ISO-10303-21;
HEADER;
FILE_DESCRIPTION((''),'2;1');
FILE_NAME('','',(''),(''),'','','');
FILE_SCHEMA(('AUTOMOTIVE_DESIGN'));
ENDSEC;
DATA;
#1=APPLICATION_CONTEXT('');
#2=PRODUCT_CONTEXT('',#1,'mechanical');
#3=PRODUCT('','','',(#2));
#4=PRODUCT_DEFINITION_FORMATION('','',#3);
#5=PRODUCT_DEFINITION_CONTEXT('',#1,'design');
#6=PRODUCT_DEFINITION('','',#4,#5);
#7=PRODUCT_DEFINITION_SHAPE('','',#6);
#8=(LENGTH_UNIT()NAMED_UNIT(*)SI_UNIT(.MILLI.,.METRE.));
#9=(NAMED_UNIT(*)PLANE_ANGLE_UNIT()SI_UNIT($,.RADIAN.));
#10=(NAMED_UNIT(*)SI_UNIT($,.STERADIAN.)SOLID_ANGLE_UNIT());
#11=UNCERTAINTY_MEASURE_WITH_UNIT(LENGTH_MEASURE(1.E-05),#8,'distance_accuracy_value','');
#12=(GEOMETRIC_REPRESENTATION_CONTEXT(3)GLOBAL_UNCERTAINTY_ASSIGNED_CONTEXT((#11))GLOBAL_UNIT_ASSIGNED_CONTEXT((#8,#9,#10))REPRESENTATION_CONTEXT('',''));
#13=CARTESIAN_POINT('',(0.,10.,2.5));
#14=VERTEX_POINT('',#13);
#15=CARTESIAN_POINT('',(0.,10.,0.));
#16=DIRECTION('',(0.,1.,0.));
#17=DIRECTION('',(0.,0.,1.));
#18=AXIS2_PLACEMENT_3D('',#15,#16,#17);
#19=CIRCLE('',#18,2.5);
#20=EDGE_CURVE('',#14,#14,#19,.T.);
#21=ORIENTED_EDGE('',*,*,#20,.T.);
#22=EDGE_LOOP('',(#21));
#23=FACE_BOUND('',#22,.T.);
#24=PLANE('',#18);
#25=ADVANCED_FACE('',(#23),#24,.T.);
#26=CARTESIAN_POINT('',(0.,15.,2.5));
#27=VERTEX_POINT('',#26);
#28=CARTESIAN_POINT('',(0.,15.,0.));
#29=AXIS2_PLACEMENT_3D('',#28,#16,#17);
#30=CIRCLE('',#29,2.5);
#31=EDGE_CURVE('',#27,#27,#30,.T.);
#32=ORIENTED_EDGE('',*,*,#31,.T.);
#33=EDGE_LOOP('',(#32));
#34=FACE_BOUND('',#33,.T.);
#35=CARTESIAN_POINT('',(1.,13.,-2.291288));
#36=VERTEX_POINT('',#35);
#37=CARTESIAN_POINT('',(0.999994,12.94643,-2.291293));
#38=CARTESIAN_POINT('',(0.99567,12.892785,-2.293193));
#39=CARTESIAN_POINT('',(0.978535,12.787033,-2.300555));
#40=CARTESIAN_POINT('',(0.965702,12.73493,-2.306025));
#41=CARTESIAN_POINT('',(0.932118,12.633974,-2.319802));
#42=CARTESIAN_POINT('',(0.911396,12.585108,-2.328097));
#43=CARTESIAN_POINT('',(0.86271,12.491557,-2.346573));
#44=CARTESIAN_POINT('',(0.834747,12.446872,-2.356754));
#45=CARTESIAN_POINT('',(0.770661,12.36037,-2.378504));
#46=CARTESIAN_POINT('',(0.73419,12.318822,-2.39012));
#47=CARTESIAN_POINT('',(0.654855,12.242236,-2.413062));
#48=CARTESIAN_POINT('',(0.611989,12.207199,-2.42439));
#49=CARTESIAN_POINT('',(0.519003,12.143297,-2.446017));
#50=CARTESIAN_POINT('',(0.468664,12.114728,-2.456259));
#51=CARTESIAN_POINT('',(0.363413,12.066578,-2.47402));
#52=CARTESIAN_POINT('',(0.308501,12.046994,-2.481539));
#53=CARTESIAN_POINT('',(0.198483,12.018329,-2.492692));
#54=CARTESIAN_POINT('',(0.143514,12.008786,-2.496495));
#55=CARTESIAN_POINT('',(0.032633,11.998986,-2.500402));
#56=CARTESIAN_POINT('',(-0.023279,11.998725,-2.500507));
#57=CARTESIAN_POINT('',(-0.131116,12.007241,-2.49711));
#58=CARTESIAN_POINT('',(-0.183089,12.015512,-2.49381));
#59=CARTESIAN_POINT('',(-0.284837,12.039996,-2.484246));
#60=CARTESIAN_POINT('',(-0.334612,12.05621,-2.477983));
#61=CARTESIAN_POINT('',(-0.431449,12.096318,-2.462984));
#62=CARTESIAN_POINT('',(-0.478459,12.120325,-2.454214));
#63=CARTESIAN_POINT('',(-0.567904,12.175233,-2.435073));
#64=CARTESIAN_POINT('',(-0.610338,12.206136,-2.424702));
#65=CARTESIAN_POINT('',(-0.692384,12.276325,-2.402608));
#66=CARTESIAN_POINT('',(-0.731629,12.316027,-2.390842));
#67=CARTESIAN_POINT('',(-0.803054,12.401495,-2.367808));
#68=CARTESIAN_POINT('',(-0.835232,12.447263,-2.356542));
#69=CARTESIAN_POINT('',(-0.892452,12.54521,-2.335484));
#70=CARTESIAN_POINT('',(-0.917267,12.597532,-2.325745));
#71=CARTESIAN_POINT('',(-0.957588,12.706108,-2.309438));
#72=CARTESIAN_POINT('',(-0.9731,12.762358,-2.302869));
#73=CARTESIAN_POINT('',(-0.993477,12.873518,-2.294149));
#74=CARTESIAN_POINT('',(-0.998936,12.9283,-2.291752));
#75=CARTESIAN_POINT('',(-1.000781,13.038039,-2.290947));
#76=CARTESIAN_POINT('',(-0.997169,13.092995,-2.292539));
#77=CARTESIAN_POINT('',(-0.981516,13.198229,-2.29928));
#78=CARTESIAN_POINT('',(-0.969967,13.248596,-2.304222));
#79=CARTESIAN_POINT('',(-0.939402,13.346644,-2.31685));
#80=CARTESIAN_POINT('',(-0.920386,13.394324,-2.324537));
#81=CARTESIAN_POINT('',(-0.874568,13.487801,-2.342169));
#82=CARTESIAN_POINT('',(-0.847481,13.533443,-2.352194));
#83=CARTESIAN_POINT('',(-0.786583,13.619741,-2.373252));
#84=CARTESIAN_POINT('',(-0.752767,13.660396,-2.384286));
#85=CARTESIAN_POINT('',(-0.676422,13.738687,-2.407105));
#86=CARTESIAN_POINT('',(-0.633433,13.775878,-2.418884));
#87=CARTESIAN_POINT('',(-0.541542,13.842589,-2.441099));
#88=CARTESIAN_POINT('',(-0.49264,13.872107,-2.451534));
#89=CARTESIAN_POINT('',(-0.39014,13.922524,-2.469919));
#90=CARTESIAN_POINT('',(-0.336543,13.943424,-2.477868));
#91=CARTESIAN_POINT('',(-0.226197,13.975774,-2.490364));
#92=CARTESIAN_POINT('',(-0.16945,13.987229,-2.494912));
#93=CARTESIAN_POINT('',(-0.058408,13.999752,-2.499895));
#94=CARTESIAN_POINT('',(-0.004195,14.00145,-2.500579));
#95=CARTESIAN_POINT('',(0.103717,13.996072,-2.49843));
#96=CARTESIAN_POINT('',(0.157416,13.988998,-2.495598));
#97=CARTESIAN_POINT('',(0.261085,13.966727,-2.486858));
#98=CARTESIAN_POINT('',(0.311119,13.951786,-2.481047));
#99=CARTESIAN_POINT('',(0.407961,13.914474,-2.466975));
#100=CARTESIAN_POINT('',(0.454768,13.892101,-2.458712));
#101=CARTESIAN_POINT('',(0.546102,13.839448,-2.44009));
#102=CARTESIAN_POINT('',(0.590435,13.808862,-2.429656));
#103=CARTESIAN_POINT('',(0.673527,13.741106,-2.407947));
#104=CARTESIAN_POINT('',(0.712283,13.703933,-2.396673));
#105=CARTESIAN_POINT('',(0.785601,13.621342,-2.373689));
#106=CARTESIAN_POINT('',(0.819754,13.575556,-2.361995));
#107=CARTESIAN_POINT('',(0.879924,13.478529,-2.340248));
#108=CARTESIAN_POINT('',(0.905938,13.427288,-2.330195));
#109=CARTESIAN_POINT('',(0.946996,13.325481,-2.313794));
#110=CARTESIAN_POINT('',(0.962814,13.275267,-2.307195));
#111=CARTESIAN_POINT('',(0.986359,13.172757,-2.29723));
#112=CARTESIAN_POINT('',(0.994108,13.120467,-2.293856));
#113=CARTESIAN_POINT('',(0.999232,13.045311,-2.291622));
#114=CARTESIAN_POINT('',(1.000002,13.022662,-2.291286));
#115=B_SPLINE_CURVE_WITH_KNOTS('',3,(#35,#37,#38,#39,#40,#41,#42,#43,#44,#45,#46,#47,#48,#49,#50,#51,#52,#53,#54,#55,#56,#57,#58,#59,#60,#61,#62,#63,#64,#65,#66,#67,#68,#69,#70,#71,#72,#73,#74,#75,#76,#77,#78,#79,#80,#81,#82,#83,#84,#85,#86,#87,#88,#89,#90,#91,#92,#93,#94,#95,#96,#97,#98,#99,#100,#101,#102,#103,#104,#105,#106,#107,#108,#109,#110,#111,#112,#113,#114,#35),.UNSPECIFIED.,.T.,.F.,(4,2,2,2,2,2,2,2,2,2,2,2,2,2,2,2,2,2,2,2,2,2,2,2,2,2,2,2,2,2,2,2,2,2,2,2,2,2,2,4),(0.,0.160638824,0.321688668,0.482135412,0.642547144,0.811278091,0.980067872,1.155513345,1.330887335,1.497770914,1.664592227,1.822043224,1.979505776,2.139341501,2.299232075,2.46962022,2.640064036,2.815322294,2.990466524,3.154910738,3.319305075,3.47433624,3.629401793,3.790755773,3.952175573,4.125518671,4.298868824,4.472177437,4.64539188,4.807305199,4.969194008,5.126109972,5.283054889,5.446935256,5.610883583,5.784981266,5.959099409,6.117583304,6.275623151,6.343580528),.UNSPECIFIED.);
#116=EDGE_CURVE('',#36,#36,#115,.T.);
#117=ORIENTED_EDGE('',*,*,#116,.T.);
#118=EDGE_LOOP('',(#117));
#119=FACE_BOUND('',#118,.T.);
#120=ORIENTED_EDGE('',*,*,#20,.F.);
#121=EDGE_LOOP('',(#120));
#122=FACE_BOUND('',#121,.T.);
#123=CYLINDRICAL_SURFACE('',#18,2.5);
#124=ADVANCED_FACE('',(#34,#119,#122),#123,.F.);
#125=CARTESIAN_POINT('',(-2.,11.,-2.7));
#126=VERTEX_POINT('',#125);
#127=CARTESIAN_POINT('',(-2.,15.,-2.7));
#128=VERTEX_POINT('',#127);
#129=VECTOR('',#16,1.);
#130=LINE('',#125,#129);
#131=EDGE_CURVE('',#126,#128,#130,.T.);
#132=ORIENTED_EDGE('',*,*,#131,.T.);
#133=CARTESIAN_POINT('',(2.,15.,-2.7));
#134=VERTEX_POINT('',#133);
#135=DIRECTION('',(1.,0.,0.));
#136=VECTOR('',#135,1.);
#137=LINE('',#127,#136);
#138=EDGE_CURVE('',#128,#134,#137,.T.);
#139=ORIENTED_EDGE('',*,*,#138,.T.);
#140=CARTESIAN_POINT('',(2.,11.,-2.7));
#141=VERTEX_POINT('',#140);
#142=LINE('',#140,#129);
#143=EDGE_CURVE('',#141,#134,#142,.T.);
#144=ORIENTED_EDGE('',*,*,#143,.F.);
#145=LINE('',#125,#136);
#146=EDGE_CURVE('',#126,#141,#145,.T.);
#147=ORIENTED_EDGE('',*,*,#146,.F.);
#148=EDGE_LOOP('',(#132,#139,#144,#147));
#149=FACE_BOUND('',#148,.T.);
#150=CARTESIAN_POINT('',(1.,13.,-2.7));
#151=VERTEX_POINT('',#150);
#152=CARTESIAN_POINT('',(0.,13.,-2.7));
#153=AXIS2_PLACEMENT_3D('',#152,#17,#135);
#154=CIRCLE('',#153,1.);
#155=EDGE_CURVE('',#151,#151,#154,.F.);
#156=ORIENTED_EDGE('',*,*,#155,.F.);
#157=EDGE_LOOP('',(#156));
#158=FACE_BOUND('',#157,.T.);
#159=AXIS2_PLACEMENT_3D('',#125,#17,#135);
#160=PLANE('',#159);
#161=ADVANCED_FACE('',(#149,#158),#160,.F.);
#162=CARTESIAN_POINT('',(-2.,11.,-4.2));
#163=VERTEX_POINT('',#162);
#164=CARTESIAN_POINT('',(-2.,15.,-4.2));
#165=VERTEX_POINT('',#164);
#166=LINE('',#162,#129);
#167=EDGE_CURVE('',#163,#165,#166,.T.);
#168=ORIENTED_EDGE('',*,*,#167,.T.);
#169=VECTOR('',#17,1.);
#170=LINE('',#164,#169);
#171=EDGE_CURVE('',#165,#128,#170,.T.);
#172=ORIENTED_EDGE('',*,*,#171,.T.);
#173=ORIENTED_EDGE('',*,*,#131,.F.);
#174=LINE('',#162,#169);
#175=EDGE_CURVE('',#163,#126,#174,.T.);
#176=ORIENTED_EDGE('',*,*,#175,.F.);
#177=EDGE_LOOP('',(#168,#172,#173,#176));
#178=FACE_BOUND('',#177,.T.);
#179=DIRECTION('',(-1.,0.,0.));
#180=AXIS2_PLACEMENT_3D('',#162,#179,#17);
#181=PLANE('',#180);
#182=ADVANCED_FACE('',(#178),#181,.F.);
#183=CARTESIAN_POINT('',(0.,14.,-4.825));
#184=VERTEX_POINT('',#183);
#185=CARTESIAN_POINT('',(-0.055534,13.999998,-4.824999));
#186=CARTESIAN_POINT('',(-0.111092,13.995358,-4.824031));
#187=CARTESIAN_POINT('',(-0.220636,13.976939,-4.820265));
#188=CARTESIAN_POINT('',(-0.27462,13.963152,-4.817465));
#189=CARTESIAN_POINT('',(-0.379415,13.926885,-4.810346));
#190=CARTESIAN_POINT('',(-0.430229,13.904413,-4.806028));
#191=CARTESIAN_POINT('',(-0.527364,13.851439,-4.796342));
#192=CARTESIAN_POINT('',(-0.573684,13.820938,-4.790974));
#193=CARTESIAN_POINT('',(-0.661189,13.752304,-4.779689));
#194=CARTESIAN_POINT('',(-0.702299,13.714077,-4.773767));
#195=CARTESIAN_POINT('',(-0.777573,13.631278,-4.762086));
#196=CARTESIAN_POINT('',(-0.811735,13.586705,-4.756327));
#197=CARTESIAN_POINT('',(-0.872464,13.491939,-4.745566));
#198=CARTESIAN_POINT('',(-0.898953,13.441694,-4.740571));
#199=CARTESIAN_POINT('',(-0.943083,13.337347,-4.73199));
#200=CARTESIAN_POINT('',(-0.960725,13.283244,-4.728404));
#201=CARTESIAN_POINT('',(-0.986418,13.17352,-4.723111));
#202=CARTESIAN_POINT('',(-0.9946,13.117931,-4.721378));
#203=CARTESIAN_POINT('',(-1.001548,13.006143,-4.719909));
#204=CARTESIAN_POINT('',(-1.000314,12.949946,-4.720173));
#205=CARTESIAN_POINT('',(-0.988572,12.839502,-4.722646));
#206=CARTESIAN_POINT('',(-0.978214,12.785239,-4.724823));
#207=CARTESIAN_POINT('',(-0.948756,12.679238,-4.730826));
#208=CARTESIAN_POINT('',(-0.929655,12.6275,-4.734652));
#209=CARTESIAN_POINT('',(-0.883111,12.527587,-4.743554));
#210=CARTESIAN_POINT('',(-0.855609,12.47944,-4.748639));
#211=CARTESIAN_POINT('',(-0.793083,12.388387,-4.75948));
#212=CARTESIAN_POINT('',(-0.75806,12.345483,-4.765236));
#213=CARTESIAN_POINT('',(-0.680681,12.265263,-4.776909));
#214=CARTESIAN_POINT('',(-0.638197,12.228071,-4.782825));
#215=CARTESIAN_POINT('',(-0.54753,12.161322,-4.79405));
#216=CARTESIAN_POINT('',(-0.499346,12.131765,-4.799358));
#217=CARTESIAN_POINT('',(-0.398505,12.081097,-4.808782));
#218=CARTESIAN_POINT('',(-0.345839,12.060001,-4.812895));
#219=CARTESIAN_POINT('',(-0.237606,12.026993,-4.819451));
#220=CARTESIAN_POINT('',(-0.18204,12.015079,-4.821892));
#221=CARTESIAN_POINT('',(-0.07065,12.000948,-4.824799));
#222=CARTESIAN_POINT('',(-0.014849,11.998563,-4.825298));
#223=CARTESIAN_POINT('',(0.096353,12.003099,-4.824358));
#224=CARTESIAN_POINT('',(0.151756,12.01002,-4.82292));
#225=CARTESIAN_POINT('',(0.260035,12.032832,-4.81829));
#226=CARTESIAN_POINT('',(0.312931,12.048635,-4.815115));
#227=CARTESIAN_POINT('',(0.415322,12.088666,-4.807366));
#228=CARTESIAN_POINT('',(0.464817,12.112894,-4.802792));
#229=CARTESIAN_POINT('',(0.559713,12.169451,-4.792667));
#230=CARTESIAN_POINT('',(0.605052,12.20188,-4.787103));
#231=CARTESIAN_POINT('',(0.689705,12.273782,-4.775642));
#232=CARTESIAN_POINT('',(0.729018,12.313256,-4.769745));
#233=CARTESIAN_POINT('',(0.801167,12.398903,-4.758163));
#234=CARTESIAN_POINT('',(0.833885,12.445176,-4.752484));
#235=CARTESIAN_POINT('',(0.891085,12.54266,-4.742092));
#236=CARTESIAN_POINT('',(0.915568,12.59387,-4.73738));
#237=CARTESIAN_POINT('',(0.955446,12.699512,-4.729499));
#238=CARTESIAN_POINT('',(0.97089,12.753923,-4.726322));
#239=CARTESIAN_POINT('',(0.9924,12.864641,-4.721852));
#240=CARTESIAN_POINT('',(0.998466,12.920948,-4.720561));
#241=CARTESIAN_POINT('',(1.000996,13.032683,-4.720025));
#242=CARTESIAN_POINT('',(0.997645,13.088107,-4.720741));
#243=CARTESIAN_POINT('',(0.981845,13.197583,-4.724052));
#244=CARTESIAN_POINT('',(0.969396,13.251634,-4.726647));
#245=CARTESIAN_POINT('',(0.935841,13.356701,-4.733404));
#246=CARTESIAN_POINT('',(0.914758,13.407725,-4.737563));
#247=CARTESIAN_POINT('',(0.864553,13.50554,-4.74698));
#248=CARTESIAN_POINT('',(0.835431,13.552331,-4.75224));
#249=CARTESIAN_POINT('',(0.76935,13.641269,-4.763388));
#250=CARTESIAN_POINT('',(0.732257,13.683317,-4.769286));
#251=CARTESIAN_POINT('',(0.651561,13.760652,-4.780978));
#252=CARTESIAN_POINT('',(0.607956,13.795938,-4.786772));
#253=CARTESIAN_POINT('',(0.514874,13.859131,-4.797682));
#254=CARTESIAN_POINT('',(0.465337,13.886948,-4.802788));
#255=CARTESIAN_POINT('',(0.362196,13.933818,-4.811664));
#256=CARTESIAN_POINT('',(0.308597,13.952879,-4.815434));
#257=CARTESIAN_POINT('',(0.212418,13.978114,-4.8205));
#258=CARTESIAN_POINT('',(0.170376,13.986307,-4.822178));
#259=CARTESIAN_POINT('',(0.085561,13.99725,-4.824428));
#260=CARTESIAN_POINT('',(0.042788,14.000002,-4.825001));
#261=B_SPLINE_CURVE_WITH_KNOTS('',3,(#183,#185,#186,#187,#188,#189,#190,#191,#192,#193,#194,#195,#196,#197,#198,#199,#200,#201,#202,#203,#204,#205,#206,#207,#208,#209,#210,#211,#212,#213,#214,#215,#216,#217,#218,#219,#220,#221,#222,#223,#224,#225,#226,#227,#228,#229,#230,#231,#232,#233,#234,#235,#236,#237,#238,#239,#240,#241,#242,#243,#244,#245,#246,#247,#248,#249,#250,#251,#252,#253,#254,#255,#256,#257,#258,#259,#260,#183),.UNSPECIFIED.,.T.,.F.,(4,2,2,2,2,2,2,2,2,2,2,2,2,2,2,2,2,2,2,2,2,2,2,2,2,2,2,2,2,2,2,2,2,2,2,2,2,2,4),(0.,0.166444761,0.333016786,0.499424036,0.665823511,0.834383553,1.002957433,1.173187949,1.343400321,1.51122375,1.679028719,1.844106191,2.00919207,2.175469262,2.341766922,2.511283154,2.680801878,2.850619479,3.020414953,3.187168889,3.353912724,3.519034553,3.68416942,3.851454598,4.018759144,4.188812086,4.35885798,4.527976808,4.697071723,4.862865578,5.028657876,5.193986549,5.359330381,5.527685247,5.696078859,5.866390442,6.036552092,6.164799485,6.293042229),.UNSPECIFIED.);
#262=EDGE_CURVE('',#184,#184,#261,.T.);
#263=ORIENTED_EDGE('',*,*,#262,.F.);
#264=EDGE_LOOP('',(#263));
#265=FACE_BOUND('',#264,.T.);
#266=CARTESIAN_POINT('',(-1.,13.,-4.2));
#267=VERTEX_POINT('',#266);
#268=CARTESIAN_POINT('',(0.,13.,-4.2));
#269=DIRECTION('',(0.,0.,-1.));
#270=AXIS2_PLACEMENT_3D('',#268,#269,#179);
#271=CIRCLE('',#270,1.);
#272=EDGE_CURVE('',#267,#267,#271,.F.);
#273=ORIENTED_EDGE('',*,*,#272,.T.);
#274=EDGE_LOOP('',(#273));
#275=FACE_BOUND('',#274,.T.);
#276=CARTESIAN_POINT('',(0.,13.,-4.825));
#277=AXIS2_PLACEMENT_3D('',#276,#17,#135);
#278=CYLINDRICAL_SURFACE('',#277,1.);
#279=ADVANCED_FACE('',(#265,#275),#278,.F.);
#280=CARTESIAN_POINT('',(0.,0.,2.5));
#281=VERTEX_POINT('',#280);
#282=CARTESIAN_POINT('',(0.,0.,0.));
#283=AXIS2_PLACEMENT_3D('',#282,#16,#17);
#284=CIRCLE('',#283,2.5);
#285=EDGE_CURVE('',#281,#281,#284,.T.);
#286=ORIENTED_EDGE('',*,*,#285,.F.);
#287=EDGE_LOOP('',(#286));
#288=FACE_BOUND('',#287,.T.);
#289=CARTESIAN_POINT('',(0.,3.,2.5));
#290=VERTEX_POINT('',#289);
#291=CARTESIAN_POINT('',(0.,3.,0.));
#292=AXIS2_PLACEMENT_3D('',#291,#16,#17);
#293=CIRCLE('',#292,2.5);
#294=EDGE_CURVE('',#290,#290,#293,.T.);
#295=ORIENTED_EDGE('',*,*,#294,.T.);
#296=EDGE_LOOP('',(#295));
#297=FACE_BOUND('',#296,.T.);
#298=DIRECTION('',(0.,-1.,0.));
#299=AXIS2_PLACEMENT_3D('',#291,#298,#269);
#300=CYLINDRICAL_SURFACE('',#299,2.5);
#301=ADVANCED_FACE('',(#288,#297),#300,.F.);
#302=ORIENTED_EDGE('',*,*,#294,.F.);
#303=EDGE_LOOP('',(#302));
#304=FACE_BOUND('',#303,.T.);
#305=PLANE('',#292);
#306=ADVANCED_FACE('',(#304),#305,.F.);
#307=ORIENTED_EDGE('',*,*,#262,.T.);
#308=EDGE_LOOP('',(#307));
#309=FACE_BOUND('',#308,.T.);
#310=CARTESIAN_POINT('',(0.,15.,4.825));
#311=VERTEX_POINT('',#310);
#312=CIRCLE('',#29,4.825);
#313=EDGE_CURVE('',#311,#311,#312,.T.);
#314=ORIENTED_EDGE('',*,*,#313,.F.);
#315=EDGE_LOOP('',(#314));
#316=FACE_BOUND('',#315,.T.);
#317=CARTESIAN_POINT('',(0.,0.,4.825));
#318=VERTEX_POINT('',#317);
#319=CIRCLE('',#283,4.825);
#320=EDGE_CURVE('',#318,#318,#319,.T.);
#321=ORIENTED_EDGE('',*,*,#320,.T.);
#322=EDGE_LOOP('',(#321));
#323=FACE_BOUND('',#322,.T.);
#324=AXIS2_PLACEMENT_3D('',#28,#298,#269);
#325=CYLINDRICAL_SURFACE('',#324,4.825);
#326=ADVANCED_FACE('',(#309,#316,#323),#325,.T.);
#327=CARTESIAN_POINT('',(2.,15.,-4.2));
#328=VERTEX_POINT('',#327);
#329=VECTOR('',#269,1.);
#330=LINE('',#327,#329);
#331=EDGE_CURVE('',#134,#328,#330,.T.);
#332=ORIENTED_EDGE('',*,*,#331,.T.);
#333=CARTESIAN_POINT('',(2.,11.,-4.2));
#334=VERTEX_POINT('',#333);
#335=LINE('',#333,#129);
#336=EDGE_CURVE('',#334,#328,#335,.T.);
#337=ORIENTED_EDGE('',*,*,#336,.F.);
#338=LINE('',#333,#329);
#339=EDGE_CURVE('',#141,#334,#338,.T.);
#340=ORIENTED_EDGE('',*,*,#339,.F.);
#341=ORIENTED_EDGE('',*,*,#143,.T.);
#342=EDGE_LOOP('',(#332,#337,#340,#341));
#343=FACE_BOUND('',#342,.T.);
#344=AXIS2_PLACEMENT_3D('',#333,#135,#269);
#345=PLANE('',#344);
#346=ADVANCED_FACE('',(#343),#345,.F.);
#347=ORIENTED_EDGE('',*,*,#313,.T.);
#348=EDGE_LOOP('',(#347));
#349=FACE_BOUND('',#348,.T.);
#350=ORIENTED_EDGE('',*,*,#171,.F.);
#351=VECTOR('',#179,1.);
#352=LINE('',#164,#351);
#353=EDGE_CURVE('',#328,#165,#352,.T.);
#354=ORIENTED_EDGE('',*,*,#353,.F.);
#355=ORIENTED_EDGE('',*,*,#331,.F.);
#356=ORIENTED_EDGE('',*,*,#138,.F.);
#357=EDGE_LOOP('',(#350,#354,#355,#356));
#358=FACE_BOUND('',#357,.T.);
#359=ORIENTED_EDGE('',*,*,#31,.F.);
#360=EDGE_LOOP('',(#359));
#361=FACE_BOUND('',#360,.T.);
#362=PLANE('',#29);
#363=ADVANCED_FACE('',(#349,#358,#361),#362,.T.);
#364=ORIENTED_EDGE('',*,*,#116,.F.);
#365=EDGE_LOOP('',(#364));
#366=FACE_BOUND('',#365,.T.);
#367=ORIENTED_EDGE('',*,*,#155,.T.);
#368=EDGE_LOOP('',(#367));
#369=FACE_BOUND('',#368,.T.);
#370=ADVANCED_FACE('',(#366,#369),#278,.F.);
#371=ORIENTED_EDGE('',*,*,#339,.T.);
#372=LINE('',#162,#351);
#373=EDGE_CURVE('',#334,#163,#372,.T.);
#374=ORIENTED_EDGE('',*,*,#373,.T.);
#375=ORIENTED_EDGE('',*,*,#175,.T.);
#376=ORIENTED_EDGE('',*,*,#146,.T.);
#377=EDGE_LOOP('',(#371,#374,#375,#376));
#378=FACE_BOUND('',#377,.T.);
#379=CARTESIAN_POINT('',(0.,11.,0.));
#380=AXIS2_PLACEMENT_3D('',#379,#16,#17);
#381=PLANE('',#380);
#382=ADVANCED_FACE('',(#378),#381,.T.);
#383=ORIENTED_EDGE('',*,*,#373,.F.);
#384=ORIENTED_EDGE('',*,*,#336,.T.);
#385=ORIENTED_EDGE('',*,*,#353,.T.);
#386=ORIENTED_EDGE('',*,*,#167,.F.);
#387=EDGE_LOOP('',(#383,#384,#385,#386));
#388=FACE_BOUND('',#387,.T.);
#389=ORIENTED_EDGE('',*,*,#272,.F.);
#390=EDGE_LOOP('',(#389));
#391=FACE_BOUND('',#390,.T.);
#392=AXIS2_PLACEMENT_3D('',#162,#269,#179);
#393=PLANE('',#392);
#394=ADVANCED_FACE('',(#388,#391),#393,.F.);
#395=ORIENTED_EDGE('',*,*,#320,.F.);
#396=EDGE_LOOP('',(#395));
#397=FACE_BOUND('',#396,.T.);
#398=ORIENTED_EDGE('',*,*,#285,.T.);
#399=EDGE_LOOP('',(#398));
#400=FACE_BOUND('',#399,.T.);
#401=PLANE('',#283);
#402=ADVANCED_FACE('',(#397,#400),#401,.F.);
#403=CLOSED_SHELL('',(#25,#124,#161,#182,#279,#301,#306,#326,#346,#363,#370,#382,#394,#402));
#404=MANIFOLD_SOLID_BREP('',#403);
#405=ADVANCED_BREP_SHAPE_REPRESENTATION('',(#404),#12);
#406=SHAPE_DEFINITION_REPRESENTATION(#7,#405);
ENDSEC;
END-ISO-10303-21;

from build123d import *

# Parameters (mm, degrees)
IZIM1_R               = 4.825
BOSS_EXTRUDE1_DEPTH   = 15
IZIM1_6_R             = 2.5
CUT_EXTRUDE1_DEPTH    = 3
SKETCH2_R             = 2.5
CUT_EXTRUDE2_DEPTH    = 5
SKETCH3_R             = 1
CUT_EXTRUDE3_DEPTH    = 5.825
IZIM2_W               = 4
IZIM2_H               = 1.5
KES_EKSTR_ZYON1_DEPTH = 4


with BuildPart() as part:
    # Çizim1 → Boss-Extrude1 (new body)
    with BuildSketch(Plane(origin=(0, 0, 0), x_dir=(1, 0, 0), z_dir=(0, 1, 0))):
        Circle(IZIM1_R)
    extrude(amount=BOSS_EXTRUDE1_DEPTH)

    # Çizim1<6> → Cut-Extrude1 (cut)
    with BuildSketch(Plane(origin=(0, 0, 0), x_dir=(1, 0, 0), z_dir=(0, 1, 0))):
        Circle(IZIM1_6_R)
    extrude(amount=CUT_EXTRUDE1_DEPTH, mode=Mode.SUBTRACT)

    # Sketch2 → Cut-Extrude2 (cut)
    with BuildSketch(Plane(origin=(0, 15, 0), x_dir=(1, 0, 0), z_dir=(0, 1, 0))):
        Circle(SKETCH2_R)
    extrude(amount=-CUT_EXTRUDE2_DEPTH, mode=Mode.SUBTRACT)

    # Sketch3 → Cut-Extrude3 (cut, through all)
    with BuildSketch(Plane.XY):
        with Locations((0, 13)):
            Circle(SKETCH3_R)
    extrude(amount=-CUT_EXTRUDE3_DEPTH, mode=Mode.SUBTRACT)

    # Çizim2 → Kes-Ekstrüzyon1 (cut)
    with BuildSketch(Plane(origin=(0, 15, 0), x_dir=(1, 0, 0), z_dir=(0, 1, 0))):
        with Locations((0, 3.45)):
            Rectangle(IZIM2_W, IZIM2_H)
    extrude(amount=-KES_EKSTR_ZYON1_DEPTH, mode=Mode.SUBTRACT)


solid = part.part
